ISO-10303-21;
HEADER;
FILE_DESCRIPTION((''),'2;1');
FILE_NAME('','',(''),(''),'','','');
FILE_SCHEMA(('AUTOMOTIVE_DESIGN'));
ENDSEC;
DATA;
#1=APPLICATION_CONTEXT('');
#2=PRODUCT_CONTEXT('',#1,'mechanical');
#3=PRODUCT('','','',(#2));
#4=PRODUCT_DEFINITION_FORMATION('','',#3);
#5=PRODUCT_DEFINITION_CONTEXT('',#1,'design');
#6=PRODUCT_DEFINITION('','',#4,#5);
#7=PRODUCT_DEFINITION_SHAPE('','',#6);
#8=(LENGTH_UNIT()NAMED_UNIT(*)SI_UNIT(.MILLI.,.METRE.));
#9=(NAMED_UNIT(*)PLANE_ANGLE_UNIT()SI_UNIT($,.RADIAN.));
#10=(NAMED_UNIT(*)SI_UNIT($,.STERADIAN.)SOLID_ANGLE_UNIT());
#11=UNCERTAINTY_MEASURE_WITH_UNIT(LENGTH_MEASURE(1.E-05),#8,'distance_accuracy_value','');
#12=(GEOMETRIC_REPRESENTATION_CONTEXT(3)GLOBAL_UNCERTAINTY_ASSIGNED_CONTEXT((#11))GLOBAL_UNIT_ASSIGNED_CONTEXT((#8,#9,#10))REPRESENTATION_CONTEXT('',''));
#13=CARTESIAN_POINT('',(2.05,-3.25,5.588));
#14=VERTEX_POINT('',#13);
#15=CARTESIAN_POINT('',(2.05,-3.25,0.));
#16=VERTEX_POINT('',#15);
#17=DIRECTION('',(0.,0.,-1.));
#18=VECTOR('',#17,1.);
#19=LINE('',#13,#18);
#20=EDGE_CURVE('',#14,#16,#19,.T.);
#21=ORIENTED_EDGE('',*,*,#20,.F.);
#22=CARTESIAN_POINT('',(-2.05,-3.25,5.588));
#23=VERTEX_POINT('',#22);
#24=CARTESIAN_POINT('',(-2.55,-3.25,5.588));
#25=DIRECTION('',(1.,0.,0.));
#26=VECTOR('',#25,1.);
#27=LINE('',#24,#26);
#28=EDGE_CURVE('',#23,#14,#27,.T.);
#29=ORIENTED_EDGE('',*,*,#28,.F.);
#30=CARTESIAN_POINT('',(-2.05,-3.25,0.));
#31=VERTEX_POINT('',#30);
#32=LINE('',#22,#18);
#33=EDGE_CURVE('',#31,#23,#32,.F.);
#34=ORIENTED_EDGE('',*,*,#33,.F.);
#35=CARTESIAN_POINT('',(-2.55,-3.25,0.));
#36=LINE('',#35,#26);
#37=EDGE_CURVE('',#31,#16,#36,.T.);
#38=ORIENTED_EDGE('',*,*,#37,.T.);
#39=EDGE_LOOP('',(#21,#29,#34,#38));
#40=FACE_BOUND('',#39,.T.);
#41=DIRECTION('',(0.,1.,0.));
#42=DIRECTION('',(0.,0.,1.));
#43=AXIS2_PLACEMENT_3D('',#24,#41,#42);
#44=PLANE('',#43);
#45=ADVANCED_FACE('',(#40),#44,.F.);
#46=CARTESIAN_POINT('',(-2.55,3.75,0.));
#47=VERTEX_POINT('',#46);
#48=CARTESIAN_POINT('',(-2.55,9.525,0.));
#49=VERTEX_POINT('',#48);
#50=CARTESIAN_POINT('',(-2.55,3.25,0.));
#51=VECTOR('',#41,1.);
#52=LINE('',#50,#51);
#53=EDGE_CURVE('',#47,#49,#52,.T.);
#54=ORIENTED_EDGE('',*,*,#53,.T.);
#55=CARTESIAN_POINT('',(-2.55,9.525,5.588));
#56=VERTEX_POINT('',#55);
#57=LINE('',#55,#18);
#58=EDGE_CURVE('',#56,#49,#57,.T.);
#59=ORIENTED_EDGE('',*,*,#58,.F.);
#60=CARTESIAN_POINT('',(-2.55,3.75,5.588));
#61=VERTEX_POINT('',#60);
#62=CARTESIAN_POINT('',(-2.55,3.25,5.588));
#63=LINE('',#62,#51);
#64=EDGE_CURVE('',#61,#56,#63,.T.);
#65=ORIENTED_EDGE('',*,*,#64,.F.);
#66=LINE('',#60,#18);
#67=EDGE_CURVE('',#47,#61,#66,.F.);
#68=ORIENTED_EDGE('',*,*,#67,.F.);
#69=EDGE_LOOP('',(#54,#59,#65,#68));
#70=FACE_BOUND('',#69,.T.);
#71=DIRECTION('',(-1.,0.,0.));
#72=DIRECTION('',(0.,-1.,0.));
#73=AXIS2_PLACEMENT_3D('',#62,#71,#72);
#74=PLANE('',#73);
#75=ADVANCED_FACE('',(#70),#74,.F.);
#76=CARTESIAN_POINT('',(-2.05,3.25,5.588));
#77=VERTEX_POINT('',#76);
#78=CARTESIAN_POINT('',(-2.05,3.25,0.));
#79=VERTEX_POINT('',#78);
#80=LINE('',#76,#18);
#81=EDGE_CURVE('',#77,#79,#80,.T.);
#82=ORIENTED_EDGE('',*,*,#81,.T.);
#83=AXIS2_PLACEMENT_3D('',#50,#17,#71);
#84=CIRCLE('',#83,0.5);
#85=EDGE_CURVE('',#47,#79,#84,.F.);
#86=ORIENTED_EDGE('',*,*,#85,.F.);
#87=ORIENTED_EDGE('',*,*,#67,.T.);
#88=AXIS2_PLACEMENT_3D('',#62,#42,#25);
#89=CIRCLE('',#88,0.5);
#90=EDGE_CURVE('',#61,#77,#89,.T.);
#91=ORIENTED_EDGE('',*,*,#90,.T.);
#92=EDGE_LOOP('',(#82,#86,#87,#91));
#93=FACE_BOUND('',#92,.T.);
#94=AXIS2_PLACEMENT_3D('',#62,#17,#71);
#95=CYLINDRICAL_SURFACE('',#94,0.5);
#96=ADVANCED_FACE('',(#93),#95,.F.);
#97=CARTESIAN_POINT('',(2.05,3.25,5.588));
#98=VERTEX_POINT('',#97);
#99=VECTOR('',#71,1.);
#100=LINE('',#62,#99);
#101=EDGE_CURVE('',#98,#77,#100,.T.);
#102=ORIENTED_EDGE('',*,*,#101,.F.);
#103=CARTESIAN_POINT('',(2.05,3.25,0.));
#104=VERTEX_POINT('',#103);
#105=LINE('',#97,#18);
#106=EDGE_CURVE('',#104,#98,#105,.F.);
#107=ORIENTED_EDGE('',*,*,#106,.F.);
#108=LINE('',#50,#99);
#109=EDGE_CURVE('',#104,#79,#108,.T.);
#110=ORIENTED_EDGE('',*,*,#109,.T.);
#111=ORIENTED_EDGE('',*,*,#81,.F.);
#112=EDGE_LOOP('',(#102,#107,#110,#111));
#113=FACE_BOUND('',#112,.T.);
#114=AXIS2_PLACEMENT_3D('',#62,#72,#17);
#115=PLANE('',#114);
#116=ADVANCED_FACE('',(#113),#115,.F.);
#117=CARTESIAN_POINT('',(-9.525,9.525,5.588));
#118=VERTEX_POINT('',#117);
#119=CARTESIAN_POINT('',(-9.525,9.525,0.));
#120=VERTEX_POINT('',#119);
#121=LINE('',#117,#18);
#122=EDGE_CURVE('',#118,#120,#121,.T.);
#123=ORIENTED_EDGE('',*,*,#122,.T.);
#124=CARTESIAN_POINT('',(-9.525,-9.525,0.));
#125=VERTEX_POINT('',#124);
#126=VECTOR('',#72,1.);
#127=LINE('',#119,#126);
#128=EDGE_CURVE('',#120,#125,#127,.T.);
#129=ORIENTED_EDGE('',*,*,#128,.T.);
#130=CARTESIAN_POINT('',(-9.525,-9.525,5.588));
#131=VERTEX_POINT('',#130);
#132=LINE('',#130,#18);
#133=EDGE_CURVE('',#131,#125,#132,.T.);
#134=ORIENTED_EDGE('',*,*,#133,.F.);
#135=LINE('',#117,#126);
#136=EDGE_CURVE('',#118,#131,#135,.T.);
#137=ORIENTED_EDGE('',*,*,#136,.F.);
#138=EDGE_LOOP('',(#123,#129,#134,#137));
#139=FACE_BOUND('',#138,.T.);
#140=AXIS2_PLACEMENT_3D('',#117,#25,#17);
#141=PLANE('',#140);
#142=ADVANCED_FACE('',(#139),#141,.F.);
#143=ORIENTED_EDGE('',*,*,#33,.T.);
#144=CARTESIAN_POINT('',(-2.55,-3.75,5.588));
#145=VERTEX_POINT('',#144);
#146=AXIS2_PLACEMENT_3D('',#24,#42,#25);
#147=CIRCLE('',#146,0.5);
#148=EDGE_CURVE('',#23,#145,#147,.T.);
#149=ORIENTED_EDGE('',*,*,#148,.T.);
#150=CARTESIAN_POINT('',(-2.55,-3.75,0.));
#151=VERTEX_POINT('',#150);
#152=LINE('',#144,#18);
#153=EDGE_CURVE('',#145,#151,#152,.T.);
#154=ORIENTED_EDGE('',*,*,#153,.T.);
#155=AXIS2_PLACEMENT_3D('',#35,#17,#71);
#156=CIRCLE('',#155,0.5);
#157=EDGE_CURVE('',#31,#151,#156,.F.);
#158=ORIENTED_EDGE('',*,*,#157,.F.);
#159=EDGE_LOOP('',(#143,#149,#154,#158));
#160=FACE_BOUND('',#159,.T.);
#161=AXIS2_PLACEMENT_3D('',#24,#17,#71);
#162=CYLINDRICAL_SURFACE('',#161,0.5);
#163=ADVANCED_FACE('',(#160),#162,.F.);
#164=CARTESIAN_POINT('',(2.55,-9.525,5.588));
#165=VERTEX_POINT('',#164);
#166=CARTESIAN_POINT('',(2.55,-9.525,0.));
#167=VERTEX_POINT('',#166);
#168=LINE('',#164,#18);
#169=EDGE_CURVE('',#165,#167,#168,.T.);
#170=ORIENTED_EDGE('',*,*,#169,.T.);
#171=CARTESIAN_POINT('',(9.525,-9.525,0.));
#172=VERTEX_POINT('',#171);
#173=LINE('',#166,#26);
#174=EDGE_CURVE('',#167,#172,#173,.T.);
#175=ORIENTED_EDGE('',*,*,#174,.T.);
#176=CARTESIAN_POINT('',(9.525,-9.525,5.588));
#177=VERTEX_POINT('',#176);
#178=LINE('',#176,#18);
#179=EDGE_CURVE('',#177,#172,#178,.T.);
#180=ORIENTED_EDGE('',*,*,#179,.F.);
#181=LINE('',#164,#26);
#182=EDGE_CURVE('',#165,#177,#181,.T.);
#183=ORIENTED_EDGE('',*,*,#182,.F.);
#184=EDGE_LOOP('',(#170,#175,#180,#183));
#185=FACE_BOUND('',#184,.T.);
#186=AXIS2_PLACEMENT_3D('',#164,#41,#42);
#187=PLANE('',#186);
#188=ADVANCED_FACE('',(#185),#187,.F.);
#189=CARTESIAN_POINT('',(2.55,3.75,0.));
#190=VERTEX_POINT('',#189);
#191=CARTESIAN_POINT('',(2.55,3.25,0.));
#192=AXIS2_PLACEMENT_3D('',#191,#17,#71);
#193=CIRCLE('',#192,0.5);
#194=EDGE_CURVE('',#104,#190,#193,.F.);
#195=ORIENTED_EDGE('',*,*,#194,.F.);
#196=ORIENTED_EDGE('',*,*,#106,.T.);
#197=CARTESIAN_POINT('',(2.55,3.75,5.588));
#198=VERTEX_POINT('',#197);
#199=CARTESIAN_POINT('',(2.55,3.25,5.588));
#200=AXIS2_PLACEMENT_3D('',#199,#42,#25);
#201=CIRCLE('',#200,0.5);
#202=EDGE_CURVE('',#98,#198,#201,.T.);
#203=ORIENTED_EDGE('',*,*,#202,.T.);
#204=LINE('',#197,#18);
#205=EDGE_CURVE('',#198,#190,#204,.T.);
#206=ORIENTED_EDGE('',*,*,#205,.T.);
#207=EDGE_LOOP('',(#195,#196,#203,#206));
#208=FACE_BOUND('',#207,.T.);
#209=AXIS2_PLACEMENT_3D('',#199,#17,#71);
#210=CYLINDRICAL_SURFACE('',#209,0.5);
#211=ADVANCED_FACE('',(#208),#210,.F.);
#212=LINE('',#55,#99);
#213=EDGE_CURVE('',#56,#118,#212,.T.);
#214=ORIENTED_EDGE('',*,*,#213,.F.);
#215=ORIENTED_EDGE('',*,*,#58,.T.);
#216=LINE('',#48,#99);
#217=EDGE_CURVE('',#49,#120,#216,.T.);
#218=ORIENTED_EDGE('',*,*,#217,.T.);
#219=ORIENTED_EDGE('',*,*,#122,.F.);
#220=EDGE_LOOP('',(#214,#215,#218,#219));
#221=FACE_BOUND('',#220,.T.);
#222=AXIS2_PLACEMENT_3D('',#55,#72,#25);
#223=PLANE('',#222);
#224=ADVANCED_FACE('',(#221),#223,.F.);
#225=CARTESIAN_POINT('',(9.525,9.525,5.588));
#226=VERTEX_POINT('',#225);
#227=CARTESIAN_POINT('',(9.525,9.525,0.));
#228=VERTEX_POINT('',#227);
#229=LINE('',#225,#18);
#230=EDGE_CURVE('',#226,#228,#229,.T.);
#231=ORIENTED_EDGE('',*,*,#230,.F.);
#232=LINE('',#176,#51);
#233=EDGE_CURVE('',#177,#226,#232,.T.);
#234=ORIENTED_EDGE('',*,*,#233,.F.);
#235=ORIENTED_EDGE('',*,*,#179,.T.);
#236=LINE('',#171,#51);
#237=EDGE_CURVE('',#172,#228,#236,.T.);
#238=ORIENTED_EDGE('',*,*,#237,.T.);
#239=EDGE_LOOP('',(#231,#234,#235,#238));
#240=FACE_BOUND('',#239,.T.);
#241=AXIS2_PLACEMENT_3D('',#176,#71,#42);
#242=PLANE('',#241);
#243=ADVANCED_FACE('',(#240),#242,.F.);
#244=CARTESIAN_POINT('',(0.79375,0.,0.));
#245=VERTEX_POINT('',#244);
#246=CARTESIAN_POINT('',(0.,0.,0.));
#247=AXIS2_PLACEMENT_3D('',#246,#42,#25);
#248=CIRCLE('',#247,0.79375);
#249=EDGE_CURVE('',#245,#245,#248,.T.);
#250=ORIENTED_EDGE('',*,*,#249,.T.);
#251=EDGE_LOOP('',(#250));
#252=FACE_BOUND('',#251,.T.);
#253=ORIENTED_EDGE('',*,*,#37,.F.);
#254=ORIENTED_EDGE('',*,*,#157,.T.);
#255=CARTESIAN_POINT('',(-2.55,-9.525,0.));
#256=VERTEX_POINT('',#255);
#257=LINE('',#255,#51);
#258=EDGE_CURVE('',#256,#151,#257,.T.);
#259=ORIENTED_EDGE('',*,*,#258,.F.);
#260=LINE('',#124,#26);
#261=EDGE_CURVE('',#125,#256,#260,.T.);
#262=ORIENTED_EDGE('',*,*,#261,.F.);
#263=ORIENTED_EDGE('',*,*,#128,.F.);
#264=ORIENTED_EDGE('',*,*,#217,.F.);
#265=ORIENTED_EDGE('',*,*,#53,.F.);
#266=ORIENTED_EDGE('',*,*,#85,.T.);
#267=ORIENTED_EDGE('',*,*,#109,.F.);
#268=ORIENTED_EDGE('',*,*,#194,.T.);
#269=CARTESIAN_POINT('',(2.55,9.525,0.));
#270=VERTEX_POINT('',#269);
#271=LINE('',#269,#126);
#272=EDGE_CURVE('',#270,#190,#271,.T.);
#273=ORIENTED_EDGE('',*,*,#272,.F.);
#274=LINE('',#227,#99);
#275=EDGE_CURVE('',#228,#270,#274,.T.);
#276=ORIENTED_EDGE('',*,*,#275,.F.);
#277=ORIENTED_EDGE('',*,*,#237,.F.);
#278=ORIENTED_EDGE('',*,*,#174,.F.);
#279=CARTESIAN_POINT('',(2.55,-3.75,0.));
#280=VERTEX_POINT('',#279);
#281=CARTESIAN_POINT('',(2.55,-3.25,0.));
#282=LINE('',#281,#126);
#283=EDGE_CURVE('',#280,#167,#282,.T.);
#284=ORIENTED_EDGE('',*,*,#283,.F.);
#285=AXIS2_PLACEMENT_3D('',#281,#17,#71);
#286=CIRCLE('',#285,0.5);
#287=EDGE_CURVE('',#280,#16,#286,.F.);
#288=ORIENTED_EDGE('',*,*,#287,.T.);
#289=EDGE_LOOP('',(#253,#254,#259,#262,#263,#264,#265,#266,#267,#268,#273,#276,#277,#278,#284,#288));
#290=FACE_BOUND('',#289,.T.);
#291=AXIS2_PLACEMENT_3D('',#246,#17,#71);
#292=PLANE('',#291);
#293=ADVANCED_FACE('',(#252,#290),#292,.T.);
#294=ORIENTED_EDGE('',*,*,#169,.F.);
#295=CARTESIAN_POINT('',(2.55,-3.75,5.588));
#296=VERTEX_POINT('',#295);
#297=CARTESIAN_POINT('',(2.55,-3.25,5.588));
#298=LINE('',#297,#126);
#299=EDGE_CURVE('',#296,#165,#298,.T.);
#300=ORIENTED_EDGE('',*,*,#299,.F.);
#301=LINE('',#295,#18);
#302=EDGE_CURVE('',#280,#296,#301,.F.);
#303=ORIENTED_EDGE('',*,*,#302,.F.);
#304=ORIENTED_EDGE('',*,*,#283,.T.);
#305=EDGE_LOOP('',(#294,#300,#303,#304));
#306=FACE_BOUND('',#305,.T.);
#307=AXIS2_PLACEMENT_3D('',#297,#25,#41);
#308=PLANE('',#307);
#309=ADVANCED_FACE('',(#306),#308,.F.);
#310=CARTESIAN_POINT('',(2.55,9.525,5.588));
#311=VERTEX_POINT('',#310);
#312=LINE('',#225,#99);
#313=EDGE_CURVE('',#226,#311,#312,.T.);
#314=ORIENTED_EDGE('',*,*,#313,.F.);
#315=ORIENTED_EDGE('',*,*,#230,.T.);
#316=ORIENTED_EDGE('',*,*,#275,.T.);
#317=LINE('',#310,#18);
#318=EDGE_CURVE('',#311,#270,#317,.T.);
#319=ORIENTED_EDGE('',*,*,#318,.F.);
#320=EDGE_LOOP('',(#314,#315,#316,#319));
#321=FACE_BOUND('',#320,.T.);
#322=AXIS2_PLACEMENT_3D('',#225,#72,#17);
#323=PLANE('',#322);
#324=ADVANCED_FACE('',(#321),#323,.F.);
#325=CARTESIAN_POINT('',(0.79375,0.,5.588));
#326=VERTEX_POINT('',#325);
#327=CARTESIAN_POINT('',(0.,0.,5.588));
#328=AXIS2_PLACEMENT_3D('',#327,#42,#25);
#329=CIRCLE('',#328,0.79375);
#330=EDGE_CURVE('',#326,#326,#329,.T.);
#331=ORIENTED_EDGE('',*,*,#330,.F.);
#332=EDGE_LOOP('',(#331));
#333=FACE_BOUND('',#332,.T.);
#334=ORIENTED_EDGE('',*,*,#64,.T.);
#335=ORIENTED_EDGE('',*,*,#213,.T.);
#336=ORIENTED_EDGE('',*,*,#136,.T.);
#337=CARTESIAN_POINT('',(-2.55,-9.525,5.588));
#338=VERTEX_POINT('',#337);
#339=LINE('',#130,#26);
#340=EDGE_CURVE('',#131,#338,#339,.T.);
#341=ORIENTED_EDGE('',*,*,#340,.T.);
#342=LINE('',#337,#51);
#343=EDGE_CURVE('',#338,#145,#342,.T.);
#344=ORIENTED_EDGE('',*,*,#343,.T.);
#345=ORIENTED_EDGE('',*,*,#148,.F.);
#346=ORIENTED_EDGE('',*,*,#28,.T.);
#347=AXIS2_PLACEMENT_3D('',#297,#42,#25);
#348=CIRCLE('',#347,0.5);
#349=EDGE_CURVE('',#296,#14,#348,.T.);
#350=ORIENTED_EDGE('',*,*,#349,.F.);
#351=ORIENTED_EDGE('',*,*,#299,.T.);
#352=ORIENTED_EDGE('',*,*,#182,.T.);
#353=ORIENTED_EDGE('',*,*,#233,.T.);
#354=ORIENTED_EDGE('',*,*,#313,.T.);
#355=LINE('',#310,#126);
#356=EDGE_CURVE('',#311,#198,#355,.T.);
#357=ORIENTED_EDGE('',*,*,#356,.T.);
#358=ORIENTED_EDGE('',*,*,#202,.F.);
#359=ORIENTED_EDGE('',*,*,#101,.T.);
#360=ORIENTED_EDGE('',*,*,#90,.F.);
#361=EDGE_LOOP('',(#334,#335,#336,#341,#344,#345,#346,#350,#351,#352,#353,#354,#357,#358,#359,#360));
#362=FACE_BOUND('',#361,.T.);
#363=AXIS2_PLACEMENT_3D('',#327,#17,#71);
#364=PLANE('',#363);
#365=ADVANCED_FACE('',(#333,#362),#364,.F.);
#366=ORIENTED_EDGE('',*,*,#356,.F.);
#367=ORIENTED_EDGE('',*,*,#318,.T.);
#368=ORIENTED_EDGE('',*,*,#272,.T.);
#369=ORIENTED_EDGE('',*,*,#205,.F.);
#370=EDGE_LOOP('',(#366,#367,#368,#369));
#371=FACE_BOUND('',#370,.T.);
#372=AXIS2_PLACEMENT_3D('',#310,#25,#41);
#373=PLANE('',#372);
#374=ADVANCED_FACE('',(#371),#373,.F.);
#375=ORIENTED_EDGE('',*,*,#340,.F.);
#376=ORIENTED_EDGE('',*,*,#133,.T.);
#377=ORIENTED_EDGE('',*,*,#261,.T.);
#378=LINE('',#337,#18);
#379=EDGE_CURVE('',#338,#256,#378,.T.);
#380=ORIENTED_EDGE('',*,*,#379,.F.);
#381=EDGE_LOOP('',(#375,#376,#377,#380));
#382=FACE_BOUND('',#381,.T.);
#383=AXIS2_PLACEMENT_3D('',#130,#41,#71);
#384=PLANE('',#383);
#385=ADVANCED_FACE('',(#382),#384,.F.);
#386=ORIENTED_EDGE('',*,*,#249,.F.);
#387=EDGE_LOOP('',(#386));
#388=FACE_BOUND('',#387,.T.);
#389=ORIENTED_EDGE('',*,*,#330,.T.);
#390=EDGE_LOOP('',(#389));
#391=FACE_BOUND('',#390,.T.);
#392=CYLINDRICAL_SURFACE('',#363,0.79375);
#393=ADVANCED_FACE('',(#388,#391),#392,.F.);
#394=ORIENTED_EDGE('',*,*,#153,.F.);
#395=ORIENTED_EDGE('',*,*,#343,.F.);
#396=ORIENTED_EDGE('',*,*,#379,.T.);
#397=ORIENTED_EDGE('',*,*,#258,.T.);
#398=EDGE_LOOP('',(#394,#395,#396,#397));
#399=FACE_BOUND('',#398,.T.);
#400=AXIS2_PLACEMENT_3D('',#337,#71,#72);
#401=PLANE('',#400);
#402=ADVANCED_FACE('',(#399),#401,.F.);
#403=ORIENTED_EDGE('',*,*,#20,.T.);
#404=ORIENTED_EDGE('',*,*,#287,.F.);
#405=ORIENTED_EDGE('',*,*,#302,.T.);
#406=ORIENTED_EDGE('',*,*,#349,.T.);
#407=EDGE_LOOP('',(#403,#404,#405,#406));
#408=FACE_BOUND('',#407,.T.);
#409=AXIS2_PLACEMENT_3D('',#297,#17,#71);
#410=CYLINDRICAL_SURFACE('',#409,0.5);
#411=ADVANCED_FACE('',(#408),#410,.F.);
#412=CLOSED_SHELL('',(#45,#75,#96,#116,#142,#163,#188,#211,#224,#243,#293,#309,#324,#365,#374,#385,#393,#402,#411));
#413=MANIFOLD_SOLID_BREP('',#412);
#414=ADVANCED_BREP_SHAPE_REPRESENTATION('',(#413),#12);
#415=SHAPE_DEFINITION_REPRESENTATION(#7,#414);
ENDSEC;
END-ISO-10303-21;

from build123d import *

# Parameters (mm, degrees)
SKETCH1_R               = 0.79375
BOSS_EXTRUDE1_DEPTH     = 5.588
CUT_EXTRUDE2_DEPTH      = 15.583449318
CUT_EXTRUDE2_DEPTH_BACK = 15.583449318
SKETCH2_R               = 0.5


with BuildPart() as part:
    # Sketch1 → Boss-Extrude1 (new body)
    with BuildSketch(Plane.XY):
        Polygon((-2.55, 3.25), (-2.55, 9.525), (-9.525, 9.525), (-9.525, -9.525), (-2.55, -9.525), (-2.55, -3.25), (2.55, -3.25), (2.55, -9.525), (9.525, -9.525), (9.525, 9.525), (2.55, 9.525), (2.55, 3.25), align=None)
        Circle(SKETCH1_R, mode=Mode.SUBTRACT)
    extrude(amount=BOSS_EXTRUDE1_DEPTH)

    # Sketch2 → Cut-Extrude2 (cut, two sides: drawn at the far end of the back side and taken through both)
    with BuildSketch(Plane.XY.offset(-CUT_EXTRUDE2_DEPTH_BACK)):
        with Locations((-2.55, 3.25)):
            Circle(SKETCH2_R)
        with Locations((2.55, 3.25)):
            Circle(SKETCH2_R)
        with Locations((2.55, -3.25)):
            Circle(SKETCH2_R)
        with Locations((-2.55, -3.25)):
            Circle(SKETCH2_R)
    extrude(amount=CUT_EXTRUDE2_DEPTH + CUT_EXTRUDE2_DEPTH_BACK, mode=Mode.SUBTRACT)


solid = part.part
